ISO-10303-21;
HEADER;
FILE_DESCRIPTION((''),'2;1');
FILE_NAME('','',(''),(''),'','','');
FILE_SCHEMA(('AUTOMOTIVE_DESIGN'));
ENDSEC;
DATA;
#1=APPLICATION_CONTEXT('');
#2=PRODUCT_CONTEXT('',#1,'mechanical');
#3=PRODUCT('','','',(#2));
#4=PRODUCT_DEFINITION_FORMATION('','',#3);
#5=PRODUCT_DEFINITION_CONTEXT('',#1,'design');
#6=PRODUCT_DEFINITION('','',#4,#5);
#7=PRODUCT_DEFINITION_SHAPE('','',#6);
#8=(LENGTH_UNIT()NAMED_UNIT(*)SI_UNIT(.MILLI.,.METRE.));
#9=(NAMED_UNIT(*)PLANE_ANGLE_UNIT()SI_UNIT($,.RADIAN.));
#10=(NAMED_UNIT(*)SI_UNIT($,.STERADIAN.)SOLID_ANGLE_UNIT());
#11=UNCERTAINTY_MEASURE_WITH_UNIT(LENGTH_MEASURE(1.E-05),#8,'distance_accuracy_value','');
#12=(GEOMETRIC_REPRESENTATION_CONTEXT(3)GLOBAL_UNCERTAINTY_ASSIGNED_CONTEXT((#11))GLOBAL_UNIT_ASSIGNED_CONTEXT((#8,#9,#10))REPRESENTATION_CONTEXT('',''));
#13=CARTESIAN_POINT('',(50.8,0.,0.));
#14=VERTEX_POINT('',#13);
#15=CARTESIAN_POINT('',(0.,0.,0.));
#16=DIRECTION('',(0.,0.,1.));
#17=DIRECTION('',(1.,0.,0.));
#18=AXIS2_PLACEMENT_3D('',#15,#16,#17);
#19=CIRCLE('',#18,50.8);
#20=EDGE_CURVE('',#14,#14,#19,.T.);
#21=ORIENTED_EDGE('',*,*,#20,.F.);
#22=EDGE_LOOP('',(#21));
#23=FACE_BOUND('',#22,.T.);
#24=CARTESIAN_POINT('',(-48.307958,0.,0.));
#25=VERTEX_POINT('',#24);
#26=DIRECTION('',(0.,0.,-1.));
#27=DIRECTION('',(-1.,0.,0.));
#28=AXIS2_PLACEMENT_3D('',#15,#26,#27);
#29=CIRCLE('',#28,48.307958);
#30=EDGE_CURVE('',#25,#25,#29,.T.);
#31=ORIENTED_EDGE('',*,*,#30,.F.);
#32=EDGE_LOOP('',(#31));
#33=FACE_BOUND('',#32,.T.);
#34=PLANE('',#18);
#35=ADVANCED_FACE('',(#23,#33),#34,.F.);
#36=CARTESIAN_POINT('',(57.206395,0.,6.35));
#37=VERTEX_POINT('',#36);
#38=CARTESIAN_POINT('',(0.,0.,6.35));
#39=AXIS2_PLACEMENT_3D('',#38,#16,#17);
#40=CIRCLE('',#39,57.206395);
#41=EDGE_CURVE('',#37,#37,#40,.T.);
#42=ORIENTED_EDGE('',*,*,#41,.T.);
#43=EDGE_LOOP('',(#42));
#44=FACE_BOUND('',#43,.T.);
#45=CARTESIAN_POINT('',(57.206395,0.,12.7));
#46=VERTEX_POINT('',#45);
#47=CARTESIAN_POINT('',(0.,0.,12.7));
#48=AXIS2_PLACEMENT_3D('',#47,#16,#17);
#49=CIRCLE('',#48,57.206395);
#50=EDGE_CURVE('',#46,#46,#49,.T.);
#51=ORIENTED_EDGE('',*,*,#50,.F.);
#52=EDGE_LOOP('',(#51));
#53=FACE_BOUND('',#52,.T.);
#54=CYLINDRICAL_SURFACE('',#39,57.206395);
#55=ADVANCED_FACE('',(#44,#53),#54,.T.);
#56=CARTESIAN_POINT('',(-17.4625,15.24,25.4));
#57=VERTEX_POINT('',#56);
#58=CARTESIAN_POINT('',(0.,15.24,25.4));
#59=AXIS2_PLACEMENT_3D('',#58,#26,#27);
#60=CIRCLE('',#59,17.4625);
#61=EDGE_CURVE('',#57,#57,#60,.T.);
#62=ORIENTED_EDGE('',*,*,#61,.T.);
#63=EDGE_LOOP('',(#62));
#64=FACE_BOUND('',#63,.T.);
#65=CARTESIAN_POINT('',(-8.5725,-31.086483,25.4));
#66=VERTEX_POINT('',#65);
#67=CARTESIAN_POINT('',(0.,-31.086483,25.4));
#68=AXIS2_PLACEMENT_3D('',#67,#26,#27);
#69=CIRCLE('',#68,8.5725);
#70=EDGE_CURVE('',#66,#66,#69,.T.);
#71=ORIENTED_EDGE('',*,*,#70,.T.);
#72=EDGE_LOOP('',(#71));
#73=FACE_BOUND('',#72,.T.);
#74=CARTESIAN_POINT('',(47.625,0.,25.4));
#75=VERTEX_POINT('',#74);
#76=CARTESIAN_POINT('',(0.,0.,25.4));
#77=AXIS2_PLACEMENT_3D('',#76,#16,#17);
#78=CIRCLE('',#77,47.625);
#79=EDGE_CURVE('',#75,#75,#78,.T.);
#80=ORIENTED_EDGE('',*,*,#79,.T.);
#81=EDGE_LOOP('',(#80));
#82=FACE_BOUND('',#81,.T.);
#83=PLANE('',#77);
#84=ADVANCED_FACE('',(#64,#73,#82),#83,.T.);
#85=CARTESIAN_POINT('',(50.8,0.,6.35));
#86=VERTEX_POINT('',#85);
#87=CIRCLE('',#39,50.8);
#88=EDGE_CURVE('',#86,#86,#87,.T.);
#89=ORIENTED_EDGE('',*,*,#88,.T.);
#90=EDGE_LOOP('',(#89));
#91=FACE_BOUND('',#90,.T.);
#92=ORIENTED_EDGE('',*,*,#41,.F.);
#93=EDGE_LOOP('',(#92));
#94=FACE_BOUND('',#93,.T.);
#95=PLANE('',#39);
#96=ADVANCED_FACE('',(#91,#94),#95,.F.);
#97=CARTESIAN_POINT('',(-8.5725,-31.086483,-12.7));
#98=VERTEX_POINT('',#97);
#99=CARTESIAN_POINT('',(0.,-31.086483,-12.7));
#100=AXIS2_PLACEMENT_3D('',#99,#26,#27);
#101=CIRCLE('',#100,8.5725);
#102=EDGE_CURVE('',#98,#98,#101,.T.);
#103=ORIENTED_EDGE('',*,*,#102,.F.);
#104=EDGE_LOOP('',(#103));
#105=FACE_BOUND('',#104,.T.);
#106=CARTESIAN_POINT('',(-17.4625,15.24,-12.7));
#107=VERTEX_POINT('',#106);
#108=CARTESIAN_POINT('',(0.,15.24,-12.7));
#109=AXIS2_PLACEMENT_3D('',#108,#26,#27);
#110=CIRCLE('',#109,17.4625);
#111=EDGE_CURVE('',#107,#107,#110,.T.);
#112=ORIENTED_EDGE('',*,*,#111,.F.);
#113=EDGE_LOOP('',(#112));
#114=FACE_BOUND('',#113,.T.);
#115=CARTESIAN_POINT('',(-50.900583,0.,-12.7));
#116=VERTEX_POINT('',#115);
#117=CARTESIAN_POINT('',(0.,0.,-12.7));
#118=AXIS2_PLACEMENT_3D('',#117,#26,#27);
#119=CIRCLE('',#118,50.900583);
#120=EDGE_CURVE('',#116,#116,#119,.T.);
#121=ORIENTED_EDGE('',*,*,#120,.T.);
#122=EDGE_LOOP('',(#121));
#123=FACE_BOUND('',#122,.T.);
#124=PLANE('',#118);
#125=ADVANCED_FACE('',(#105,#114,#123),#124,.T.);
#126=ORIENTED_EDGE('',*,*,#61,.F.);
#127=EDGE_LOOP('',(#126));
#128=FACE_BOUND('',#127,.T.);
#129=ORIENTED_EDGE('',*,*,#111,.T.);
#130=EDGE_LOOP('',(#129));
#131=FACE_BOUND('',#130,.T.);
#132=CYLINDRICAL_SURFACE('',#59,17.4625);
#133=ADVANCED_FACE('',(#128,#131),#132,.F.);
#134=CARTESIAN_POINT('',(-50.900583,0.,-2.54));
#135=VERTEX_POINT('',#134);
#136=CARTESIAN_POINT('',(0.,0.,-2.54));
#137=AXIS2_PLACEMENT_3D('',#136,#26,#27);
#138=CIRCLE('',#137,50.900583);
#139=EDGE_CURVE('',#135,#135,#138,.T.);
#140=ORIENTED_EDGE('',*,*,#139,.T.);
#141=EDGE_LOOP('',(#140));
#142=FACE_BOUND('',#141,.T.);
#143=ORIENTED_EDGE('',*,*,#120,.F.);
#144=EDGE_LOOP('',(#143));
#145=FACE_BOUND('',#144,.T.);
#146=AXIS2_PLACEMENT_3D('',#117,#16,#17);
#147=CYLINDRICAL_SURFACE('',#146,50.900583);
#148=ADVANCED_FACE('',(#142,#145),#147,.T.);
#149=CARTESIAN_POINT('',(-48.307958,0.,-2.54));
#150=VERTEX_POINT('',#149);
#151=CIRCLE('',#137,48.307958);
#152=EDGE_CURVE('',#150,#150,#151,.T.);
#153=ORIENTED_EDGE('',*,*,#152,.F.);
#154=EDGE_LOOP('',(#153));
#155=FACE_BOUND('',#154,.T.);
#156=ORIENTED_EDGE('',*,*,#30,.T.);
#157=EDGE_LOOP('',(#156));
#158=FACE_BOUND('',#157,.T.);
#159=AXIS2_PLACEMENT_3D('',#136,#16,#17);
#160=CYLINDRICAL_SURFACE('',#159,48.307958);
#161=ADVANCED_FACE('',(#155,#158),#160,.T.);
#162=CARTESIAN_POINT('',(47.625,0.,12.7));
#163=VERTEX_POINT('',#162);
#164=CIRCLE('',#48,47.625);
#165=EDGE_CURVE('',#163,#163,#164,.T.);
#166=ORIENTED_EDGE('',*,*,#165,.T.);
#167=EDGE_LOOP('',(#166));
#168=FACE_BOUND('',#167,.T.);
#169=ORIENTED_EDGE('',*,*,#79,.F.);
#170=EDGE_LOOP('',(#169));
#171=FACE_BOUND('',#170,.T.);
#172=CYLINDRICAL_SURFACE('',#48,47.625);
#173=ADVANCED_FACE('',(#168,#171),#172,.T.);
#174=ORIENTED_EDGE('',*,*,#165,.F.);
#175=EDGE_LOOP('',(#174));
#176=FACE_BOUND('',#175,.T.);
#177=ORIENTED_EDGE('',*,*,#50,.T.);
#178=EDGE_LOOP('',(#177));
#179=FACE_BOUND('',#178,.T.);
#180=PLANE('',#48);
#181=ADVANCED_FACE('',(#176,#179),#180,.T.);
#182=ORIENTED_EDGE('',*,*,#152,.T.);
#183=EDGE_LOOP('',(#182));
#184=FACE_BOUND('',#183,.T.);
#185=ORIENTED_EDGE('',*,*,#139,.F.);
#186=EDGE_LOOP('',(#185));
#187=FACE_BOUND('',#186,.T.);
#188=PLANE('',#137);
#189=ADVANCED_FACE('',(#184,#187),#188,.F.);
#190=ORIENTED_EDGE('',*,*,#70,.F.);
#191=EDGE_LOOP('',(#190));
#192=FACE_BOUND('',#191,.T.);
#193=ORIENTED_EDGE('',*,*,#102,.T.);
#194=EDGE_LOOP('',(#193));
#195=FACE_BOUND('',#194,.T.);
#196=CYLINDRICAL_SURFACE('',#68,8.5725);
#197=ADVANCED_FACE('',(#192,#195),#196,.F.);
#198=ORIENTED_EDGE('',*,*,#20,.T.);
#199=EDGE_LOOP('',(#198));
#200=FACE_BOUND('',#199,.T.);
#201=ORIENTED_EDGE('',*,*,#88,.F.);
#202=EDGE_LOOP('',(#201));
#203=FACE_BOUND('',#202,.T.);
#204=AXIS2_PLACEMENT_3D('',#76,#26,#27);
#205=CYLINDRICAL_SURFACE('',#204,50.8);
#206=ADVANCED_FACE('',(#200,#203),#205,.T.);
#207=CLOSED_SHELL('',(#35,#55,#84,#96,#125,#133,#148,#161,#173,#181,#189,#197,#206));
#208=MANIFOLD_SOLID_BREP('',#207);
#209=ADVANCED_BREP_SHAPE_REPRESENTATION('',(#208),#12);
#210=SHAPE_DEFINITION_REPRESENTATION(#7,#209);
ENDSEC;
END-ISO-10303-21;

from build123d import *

# Parameters (mm, degrees)
SKETCH1_R               = 50.8
BOSS_EXTRUDE1_DEPTH     = 25.4
CUT_EXTRUDE_THIN2_START = -12.7
SKETCH23_R              = 50.8
SKETCH23_R_2            = 47.625
CUT_EXTRUDE_THIN2_DEPTH = 12.7
SKETCH26_R              = 57.206394865
BOSS_EXTRUDE3_DEPTH     = 6.35
SKETCH31_R              = 48.307957565
BOSS_EXTRUDE4_DEPTH     = 2.54
SKETCH32_R              = 50.900583186
BOSS_EXTRUDE5_DEPTH     = 10.16
CUT_EXTRUDE5_DEPTH      = 85.795655708
CUT_EXTRUDE5_DEPTH_BACK = 85.795655708
SKETCH20_R              = 17.4625
CUT_EXTRUDE6_DEPTH      = 85.795655708
CUT_EXTRUDE6_DEPTH_BACK = 85.795655708
SKETCH21_R              = 8.5725


with BuildPart() as part:
    # Sketch1 → Boss-Extrude1 (new body)
    with BuildSketch(Plane.XY):
        Circle(SKETCH1_R)
    extrude(amount=BOSS_EXTRUDE1_DEPTH)

    # Sketch23 → Cut-Extrude-Thin2 (cut)
    with BuildSketch(Plane.XY.offset(25.4).offset(CUT_EXTRUDE_THIN2_START)):
        Circle(SKETCH23_R)
        Circle(SKETCH23_R_2, mode=Mode.SUBTRACT)
    extrude(amount=CUT_EXTRUDE_THIN2_DEPTH, mode=Mode.SUBTRACT)

    # Sketch26 → Boss-Extrude3 (add)
    with BuildSketch(Plane.XY.offset(12.7)):
        Circle(SKETCH26_R)
    extrude(amount=-BOSS_EXTRUDE3_DEPTH)

    # Sketch31 → Boss-Extrude4 (add)
    with BuildSketch(Plane(origin=(0, 0, 0), x_dir=(-1, 0, 0), z_dir=(0, 0, -1))):
        Circle(SKETCH31_R)
    extrude(amount=BOSS_EXTRUDE4_DEPTH)

    # Sketch32 → Boss-Extrude5 (add)
    with BuildSketch(Plane(origin=(0, 0, -2.54), x_dir=(-1, 0, 0), z_dir=(0, 0, -1))):
        Circle(SKETCH32_R)
    extrude(amount=BOSS_EXTRUDE5_DEPTH)

    # Sketch20 → Cut-Extrude5 (cut, two sides: drawn at the far end of the back side and taken through both)
    with BuildSketch(Plane(origin=(0, 0, 0), x_dir=(-1, 0, 0), z_dir=(0, 0, -1)).offset(-CUT_EXTRUDE5_DEPTH_BACK)):
        with Locations((0, 15.24)):
            Circle(SKETCH20_R)
    extrude(amount=CUT_EXTRUDE5_DEPTH + CUT_EXTRUDE5_DEPTH_BACK, mode=Mode.SUBTRACT)

    # Sketch21 → Cut-Extrude6 (cut, two sides: drawn at the far end of the back side and taken through both)
    with BuildSketch(Plane(origin=(0, 0, 0), x_dir=(-1, 0, 0), z_dir=(0, 0, -1)).offset(-CUT_EXTRUDE6_DEPTH_BACK)):
        with Locations((0, -31.086483225)):
            Circle(SKETCH21_R)
    extrude(amount=CUT_EXTRUDE6_DEPTH + CUT_EXTRUDE6_DEPTH_BACK, mode=Mode.SUBTRACT)


solid = part.part
